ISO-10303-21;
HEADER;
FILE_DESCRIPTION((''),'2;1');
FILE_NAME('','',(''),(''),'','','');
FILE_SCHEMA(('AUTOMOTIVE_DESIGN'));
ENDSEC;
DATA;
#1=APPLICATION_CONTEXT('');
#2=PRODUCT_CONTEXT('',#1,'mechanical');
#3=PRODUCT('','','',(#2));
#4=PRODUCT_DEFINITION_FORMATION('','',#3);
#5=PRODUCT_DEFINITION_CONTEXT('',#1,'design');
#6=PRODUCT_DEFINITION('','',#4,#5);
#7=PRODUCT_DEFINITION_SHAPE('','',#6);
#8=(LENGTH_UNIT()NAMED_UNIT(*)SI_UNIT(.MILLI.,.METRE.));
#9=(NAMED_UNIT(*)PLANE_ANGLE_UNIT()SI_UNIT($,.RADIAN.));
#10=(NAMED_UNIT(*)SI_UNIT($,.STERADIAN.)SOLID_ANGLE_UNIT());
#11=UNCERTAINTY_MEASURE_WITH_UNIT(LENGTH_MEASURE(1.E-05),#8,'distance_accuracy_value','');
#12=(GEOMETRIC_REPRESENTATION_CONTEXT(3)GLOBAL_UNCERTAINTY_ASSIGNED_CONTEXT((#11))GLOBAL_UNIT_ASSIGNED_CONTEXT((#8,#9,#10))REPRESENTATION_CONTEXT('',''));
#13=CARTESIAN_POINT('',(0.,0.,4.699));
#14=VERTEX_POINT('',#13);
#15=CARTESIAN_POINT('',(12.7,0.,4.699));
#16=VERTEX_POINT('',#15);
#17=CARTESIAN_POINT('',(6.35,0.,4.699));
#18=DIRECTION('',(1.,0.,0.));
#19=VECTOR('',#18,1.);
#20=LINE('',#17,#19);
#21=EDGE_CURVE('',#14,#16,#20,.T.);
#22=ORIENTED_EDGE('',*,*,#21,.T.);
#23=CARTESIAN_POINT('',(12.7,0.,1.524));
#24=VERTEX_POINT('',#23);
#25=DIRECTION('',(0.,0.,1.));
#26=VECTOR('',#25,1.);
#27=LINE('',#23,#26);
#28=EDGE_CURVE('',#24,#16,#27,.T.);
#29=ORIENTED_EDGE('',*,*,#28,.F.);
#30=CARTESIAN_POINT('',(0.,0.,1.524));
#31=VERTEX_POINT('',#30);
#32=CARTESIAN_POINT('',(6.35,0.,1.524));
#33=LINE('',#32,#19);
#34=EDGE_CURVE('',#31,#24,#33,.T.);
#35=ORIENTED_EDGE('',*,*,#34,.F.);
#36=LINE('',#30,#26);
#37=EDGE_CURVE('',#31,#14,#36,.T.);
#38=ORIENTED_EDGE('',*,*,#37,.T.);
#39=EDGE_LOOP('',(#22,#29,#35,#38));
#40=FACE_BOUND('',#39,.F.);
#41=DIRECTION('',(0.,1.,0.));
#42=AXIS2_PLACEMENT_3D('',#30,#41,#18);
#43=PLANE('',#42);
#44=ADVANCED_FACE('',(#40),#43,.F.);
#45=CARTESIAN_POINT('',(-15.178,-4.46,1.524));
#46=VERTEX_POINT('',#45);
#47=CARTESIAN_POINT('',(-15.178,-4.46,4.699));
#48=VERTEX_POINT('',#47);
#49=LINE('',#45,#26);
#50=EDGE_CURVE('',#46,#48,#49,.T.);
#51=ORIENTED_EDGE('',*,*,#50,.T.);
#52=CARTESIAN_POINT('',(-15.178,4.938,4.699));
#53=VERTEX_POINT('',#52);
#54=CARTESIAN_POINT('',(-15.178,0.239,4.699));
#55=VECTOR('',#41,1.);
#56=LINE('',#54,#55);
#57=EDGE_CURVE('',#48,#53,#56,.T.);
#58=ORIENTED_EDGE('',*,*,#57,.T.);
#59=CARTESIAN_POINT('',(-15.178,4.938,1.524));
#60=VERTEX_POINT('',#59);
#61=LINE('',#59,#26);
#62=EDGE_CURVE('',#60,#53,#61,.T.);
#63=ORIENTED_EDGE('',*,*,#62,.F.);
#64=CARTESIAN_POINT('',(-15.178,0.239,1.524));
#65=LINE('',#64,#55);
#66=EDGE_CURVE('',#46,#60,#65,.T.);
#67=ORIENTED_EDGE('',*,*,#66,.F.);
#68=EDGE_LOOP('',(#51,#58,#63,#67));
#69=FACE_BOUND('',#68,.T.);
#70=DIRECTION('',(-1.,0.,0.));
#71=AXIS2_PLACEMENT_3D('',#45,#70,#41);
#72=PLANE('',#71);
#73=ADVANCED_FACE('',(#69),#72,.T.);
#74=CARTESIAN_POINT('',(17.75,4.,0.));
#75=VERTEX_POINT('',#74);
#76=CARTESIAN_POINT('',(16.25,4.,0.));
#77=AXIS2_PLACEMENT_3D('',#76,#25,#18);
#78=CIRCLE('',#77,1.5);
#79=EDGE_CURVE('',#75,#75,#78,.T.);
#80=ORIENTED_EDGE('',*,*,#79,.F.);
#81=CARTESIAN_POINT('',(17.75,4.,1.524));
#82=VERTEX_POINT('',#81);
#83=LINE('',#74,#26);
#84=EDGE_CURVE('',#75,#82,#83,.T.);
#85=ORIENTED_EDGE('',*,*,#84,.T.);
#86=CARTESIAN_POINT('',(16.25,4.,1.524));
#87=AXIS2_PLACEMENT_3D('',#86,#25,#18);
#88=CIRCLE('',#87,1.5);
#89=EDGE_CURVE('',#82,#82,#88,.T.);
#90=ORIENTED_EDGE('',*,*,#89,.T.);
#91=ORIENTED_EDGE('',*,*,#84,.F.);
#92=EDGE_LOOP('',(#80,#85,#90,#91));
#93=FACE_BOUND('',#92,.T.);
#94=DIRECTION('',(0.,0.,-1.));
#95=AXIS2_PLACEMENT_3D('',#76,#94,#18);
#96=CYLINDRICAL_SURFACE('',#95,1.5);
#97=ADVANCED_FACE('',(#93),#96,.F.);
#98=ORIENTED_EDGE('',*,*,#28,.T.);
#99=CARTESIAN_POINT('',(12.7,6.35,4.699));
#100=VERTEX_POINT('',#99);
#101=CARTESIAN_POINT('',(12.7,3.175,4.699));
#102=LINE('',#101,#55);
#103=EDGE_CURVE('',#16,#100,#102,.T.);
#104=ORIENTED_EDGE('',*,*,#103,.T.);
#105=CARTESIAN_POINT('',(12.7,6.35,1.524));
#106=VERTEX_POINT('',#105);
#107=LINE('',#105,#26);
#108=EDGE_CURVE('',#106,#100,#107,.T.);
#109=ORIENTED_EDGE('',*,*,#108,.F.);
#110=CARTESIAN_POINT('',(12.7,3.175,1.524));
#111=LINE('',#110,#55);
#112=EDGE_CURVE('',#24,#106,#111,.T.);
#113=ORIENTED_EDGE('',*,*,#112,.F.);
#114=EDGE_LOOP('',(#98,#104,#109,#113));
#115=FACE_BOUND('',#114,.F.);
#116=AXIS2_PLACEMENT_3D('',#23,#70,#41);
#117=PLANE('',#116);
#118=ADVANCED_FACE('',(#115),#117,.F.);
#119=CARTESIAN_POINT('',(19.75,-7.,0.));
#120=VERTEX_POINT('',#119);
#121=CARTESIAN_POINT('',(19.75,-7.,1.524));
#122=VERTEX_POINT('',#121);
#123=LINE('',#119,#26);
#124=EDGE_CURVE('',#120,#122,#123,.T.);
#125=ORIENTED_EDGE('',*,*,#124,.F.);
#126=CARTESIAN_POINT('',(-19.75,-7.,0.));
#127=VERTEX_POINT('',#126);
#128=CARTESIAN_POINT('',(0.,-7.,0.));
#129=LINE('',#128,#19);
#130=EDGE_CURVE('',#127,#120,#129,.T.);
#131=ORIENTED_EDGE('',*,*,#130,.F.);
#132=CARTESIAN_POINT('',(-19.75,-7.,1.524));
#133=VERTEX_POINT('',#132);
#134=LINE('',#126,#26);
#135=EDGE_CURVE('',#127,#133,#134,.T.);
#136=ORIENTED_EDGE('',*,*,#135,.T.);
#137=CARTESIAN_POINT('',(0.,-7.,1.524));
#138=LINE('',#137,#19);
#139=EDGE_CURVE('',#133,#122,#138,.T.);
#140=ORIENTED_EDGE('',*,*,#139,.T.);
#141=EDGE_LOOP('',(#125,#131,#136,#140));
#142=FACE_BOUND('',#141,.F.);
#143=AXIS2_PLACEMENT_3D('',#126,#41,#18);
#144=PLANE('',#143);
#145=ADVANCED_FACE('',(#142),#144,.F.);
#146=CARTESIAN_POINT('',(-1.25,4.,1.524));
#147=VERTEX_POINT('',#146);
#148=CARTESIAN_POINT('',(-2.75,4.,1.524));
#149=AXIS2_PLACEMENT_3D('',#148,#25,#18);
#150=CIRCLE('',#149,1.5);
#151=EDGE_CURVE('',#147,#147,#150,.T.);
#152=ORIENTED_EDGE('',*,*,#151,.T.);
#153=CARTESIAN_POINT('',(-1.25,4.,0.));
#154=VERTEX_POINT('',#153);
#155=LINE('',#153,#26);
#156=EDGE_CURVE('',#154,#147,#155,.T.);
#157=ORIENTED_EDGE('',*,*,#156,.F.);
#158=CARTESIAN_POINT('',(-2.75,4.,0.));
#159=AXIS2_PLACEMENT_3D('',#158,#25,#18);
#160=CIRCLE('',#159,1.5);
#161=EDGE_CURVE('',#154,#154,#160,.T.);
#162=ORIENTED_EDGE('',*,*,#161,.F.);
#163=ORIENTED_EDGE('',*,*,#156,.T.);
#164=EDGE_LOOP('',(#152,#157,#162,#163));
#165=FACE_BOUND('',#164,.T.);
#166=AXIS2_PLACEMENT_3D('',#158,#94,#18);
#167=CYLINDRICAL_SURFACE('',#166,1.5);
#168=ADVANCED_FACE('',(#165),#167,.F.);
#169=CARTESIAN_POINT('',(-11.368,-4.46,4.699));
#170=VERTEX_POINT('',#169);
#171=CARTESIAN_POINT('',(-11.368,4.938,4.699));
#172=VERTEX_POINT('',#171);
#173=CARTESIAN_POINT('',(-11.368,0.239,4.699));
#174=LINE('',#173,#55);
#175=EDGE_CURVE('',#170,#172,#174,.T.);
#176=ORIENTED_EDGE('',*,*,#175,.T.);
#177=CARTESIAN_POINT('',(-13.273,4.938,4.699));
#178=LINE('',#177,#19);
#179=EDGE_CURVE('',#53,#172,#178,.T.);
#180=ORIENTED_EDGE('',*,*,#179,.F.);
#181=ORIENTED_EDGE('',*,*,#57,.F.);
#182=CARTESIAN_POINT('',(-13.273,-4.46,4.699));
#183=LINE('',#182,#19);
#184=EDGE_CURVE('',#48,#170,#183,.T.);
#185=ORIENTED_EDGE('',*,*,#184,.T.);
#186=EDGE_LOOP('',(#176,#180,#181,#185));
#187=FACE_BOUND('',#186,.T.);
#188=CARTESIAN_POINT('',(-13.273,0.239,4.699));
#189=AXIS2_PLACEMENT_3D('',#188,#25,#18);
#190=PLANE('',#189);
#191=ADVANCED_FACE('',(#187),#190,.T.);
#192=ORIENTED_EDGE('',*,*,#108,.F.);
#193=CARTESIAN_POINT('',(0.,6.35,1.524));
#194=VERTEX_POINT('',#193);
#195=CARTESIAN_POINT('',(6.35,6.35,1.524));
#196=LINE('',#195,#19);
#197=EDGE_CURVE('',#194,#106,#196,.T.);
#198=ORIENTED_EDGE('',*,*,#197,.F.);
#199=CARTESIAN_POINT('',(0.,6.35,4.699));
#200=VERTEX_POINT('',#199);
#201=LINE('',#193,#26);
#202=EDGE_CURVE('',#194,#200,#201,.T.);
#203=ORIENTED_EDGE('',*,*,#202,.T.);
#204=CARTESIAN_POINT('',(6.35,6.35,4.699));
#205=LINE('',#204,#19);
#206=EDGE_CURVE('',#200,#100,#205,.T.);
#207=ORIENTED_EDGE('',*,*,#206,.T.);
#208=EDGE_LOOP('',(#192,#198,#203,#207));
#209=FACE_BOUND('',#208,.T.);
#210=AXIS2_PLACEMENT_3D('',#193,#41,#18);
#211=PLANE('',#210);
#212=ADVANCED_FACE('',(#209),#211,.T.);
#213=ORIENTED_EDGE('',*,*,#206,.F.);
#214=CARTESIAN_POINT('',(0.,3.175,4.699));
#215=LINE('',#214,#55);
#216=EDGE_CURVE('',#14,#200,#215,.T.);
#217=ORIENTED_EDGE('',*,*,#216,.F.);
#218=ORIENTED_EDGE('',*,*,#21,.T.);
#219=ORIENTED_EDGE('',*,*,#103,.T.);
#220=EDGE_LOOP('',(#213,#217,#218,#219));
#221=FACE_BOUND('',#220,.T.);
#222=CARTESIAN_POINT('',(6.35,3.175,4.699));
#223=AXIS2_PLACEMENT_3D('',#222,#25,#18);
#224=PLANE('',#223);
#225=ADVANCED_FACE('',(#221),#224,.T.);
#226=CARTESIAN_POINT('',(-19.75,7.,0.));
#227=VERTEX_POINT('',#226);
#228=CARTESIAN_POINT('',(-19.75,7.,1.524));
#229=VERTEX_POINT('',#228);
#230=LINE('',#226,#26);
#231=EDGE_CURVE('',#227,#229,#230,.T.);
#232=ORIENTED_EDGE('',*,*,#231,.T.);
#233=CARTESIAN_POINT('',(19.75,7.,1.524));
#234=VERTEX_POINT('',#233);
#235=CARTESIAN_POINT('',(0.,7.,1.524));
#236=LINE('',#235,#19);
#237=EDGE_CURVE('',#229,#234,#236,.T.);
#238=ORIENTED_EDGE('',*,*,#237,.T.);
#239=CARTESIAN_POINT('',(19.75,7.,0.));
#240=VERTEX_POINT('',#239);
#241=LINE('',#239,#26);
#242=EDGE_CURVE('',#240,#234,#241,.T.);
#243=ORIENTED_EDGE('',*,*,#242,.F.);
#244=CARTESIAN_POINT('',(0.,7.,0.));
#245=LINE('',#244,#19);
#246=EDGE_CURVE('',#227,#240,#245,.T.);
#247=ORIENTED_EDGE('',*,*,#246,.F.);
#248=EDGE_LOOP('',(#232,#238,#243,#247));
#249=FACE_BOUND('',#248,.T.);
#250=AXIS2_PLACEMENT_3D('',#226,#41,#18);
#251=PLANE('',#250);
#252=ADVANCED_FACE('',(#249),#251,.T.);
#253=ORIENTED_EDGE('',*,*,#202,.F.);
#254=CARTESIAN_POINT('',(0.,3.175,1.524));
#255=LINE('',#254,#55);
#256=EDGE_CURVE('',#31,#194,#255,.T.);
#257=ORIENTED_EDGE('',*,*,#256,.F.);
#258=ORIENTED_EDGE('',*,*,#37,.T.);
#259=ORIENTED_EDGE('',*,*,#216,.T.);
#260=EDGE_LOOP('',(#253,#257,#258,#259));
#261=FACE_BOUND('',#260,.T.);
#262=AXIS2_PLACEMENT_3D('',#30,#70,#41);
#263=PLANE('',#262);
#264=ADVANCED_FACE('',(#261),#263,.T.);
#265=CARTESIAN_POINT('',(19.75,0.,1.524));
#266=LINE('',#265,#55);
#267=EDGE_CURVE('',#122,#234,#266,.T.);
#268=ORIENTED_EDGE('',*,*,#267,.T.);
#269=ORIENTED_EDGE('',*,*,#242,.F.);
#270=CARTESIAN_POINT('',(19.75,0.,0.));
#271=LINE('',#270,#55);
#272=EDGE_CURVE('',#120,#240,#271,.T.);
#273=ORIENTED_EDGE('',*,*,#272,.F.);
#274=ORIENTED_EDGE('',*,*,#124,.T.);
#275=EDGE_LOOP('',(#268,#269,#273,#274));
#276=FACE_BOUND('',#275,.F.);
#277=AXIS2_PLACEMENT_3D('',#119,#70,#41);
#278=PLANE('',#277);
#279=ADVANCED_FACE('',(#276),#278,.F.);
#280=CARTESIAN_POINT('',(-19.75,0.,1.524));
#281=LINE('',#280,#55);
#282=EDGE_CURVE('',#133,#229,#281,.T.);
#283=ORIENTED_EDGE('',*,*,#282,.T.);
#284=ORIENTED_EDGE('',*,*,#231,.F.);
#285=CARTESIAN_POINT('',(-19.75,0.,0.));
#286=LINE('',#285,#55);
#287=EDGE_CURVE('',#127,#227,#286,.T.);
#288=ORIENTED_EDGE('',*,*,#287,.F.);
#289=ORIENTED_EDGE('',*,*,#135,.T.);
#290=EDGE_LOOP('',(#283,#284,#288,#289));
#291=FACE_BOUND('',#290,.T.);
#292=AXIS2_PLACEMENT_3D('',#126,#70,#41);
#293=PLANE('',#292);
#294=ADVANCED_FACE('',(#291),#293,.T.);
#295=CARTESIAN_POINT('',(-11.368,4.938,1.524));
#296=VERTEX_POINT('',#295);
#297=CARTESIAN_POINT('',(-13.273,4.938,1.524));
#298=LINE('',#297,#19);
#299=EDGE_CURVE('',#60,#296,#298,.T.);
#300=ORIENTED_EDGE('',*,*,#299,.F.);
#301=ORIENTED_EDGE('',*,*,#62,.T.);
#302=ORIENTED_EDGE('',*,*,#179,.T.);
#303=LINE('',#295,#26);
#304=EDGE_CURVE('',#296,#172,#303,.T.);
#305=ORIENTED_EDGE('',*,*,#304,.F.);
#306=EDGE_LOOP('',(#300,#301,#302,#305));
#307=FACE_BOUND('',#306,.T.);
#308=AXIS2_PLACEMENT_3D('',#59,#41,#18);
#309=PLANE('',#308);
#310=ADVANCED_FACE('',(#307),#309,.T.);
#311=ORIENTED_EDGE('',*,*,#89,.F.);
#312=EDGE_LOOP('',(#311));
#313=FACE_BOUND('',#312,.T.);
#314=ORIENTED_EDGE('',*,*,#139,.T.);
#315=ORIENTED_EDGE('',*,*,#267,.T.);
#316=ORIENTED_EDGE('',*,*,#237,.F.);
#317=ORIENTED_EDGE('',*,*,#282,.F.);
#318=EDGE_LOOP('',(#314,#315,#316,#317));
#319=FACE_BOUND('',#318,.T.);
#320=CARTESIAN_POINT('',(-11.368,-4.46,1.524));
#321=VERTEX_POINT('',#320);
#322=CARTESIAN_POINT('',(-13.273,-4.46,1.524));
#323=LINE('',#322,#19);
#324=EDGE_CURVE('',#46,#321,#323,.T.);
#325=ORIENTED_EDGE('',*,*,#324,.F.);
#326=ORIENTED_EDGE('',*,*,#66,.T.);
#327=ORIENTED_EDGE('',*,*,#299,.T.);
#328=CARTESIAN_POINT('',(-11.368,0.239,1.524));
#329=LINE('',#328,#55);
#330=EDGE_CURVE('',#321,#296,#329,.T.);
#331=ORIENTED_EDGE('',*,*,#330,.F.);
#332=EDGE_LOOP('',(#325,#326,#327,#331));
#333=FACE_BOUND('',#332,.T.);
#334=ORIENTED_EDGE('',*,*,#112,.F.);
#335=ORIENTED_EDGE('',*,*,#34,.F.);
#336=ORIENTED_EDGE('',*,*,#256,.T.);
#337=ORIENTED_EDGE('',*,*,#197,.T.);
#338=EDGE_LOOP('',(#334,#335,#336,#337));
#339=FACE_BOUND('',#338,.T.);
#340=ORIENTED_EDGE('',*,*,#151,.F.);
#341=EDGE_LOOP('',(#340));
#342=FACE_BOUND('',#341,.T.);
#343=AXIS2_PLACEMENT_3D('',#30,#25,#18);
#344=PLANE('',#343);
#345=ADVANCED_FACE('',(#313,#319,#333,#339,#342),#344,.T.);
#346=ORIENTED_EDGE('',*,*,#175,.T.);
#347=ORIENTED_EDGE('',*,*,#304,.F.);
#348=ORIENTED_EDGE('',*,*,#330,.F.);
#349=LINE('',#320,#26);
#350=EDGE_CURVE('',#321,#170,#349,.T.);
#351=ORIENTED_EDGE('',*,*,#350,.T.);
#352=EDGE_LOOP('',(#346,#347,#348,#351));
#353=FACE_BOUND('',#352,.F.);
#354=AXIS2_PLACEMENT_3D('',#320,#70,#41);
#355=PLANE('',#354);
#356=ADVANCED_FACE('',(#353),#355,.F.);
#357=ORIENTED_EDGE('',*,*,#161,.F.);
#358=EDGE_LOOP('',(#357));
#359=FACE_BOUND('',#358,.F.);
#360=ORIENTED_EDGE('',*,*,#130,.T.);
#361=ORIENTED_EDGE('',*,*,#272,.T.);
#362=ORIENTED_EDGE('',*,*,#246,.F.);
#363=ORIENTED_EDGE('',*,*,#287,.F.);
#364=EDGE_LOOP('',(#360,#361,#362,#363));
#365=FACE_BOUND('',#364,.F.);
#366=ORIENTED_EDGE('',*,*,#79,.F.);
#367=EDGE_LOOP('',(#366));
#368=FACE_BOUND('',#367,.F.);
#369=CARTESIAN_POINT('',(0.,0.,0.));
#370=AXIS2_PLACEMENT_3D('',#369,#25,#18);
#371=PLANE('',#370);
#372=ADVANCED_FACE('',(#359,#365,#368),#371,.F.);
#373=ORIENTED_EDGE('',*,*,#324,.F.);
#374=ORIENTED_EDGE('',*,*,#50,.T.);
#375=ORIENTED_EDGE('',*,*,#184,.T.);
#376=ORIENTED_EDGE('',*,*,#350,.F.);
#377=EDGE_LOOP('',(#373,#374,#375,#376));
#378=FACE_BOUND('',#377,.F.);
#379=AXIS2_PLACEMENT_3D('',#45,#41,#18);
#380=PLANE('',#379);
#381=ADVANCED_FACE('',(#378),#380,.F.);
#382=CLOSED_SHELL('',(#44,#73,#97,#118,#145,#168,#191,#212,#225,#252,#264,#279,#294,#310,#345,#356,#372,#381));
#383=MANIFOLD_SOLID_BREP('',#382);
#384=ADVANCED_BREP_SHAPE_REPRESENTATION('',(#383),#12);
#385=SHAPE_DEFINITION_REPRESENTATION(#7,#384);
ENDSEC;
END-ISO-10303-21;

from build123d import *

# Parameters (mm, degrees)
F0_W     = 39.5
F0_H     = 14
F0_R     = 1.5
F1_DEPTH = 1.524
F2_W     = 3.81
F2_H     = 9.398
F2_W_2   = 12.7
F2_H_2   = 6.35
F3_DEPTH = 3.175


with BuildPart() as f1:
    # F0 (on Top) → F1 (new body)
    with BuildSketch(Plane.XY):
        Rectangle(F0_W, F0_H)
        with Locations((-2.75, 4)):
            Circle(F0_R, mode=Mode.SUBTRACT)
        with Locations((16.25, 4)):
            Circle(F0_R, mode=Mode.SUBTRACT)
    extrude(amount=F1_DEPTH)

    # F2 (on face) → F3 (join)
    with BuildSketch(Plane.XY.offset(1.524)):
        with Locations((-13.273, 0.239)):
            Rectangle(F2_W, F2_H)
        with Locations((6.35, 3.175)):
            Rectangle(F2_W_2, F2_H_2)
    extrude(amount=F3_DEPTH)


solid = f1.part
